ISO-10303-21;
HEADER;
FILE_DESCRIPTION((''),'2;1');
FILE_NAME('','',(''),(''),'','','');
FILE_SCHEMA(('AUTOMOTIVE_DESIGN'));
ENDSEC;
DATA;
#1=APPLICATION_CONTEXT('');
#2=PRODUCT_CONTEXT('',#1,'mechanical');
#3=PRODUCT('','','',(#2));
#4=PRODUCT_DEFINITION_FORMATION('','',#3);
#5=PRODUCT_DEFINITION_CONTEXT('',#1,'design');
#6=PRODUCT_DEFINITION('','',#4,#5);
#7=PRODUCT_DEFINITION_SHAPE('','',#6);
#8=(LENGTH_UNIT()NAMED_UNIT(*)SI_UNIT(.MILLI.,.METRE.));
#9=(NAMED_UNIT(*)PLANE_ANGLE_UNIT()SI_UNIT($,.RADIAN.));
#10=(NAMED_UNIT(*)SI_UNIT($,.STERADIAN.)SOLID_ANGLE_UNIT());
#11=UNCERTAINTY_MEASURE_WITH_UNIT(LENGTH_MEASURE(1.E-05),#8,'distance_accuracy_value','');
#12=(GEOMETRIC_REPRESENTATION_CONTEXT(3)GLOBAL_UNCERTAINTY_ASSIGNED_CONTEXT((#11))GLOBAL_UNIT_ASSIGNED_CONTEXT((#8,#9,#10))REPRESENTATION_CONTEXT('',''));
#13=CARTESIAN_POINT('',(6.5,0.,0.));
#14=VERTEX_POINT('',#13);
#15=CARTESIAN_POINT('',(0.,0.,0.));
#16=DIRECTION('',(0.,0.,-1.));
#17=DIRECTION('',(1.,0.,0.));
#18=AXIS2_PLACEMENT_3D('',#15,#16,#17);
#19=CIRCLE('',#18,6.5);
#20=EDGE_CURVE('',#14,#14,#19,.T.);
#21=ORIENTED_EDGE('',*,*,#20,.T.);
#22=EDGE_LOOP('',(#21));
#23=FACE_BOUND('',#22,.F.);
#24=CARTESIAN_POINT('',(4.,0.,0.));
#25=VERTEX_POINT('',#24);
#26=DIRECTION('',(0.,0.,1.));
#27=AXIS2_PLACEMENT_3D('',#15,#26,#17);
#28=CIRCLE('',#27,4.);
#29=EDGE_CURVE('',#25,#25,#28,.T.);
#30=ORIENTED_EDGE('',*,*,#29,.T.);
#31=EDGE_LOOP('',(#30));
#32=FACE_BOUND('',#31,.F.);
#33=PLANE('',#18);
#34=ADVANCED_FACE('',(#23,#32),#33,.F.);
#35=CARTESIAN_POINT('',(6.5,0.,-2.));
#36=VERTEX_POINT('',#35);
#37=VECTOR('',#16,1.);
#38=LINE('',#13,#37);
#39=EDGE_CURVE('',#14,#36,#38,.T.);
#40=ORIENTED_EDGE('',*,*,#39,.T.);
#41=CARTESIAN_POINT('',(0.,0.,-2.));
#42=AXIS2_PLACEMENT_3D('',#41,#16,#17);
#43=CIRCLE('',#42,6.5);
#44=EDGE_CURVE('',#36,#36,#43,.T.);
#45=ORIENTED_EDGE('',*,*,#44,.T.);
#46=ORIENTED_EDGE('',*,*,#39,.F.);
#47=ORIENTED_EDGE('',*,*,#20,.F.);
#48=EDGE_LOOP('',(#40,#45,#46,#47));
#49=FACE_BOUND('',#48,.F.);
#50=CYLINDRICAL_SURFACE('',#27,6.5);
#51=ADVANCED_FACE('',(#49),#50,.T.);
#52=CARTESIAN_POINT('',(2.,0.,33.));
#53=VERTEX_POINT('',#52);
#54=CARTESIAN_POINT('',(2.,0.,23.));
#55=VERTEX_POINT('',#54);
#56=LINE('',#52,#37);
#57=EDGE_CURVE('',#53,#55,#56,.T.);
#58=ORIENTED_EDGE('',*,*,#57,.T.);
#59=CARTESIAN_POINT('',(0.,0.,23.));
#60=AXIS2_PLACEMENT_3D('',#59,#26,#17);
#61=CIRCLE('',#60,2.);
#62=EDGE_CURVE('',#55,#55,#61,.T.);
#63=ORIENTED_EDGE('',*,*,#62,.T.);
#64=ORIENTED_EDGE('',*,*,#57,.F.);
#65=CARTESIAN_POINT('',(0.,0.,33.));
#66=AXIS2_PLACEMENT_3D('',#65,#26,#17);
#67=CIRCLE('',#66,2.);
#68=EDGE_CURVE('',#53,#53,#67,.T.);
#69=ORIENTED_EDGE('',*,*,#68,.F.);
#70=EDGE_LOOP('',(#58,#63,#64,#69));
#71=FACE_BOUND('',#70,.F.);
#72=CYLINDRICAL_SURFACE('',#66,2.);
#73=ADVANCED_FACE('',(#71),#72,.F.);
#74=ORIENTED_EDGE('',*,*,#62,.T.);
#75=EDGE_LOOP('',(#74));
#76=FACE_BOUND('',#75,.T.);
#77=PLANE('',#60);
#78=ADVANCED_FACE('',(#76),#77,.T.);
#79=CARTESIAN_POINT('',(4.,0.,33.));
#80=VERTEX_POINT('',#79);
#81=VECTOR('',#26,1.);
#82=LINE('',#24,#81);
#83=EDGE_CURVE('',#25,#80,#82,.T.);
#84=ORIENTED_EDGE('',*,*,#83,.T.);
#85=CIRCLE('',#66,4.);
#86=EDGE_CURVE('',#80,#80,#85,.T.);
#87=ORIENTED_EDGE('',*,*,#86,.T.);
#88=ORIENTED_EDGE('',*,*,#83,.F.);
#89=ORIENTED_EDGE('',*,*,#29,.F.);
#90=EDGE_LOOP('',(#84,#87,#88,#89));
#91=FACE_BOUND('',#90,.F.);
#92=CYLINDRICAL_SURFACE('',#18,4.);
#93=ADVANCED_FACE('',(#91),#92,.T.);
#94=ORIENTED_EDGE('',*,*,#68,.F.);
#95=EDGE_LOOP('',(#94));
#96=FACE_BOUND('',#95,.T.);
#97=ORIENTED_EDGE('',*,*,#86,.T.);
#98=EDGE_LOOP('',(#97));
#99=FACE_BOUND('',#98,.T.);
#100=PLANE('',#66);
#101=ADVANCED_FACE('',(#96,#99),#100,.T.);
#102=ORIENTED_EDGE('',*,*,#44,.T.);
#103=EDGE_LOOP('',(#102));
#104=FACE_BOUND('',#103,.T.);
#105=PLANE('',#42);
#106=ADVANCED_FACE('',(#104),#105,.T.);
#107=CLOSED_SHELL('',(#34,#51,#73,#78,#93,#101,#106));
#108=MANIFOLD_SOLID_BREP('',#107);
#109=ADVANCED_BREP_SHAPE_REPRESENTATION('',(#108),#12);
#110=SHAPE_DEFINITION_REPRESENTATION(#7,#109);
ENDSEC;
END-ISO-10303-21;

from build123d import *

# Parameters (mm, degrees)
F0_R     = 4
F1_DEPTH = 33
F2_R     = 6.5
F3_DEPTH = 2
F4_R     = 2
F5_DEPTH = 10


with BuildPart() as f1:
    # F0 (on Top) → F1 (new body)
    with BuildSketch(Plane.XY):
        Circle(F0_R)
    extrude(amount=F1_DEPTH)

    # F2 (on face) → F3 (join)
    with BuildSketch(Plane(origin=(0, 0, 0), x_dir=(1, 0, 0), z_dir=(0, 0, -1))):
        Circle(F2_R)
    extrude(amount=F3_DEPTH)

    # F4 (on face) → F5 (cut)
    with BuildSketch(Plane.XY.offset(33)):
        Circle(F4_R)
    extrude(amount=-F5_DEPTH, mode=Mode.SUBTRACT)


solid = f1.part
